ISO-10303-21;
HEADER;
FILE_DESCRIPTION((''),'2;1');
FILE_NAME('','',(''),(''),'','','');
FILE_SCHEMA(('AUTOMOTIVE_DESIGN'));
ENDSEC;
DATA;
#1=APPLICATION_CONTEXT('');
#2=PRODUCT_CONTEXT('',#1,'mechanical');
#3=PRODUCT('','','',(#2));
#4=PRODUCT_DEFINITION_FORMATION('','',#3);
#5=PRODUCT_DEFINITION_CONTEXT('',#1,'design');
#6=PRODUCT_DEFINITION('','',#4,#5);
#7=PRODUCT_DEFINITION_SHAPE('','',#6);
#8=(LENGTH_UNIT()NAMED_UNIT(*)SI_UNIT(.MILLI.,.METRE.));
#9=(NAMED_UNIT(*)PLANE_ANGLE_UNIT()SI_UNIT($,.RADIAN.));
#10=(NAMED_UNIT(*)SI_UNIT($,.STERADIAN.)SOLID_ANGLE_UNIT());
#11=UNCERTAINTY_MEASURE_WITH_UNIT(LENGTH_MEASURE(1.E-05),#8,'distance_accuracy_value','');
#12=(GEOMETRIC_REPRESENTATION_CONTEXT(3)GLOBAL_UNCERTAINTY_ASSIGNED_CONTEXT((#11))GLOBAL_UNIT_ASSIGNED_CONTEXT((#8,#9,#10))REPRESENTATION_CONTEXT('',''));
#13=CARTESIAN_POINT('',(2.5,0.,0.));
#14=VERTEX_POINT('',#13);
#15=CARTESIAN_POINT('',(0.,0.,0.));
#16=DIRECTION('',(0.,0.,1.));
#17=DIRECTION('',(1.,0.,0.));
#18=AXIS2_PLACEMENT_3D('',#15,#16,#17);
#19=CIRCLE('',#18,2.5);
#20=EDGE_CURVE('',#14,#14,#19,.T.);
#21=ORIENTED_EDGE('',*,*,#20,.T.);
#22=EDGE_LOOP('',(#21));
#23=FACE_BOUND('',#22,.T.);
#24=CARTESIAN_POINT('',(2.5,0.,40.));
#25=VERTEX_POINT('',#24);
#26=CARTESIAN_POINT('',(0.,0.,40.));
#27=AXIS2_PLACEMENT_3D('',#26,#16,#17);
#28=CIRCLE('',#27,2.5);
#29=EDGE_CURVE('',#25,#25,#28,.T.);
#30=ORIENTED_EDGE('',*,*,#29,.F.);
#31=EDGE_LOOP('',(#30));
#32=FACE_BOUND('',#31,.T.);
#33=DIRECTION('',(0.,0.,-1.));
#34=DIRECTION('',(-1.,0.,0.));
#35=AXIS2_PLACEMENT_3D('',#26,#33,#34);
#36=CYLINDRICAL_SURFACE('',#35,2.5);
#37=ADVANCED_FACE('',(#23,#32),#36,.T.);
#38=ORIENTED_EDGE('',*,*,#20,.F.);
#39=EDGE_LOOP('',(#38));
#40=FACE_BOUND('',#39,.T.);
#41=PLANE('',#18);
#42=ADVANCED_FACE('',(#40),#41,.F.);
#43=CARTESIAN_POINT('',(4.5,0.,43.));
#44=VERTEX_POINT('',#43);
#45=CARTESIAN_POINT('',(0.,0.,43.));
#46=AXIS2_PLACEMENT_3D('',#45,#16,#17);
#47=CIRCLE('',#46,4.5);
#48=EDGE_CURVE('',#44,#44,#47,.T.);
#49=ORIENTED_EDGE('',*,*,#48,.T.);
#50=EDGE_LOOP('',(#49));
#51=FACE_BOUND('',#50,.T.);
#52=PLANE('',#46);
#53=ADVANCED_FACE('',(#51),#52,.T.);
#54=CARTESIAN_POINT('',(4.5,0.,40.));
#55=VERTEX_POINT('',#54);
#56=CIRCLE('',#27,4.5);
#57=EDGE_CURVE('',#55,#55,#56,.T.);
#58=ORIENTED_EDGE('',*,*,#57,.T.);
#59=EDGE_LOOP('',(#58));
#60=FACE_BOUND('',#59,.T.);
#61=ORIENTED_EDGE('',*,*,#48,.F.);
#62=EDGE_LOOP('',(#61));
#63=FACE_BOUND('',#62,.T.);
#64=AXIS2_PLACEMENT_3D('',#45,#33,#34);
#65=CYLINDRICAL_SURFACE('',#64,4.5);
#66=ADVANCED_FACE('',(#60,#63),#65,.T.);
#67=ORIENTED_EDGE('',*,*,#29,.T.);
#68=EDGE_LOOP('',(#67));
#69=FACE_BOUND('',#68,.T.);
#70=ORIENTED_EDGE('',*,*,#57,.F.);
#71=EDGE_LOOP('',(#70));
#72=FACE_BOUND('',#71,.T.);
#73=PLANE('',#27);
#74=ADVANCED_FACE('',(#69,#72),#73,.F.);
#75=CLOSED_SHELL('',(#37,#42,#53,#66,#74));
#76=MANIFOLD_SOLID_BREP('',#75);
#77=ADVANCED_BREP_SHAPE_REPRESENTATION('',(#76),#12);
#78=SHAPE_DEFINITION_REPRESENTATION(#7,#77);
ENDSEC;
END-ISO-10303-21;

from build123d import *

# Parameters (mm, degrees)
SKETCH2_R                = 2.5
M5_REFERENCE_SHANK_DEPTH = 40
REFERENCE_HEAD_START     = 40
SKETCH3_R                = 4.5
REFERENCE_HEAD_DEPTH     = 3


with BuildPart() as part:
    # Sketch2 → M5_reference_shank (new body)
    with BuildSketch(Plane.XY):
        Circle(SKETCH2_R)
    extrude(amount=M5_REFERENCE_SHANK_DEPTH)

    # Sketch3 → Reference_head (add)
    with BuildSketch(Plane.XY.offset(REFERENCE_HEAD_START)):
        Circle(SKETCH3_R)
    extrude(amount=REFERENCE_HEAD_DEPTH)


solid = part.part
